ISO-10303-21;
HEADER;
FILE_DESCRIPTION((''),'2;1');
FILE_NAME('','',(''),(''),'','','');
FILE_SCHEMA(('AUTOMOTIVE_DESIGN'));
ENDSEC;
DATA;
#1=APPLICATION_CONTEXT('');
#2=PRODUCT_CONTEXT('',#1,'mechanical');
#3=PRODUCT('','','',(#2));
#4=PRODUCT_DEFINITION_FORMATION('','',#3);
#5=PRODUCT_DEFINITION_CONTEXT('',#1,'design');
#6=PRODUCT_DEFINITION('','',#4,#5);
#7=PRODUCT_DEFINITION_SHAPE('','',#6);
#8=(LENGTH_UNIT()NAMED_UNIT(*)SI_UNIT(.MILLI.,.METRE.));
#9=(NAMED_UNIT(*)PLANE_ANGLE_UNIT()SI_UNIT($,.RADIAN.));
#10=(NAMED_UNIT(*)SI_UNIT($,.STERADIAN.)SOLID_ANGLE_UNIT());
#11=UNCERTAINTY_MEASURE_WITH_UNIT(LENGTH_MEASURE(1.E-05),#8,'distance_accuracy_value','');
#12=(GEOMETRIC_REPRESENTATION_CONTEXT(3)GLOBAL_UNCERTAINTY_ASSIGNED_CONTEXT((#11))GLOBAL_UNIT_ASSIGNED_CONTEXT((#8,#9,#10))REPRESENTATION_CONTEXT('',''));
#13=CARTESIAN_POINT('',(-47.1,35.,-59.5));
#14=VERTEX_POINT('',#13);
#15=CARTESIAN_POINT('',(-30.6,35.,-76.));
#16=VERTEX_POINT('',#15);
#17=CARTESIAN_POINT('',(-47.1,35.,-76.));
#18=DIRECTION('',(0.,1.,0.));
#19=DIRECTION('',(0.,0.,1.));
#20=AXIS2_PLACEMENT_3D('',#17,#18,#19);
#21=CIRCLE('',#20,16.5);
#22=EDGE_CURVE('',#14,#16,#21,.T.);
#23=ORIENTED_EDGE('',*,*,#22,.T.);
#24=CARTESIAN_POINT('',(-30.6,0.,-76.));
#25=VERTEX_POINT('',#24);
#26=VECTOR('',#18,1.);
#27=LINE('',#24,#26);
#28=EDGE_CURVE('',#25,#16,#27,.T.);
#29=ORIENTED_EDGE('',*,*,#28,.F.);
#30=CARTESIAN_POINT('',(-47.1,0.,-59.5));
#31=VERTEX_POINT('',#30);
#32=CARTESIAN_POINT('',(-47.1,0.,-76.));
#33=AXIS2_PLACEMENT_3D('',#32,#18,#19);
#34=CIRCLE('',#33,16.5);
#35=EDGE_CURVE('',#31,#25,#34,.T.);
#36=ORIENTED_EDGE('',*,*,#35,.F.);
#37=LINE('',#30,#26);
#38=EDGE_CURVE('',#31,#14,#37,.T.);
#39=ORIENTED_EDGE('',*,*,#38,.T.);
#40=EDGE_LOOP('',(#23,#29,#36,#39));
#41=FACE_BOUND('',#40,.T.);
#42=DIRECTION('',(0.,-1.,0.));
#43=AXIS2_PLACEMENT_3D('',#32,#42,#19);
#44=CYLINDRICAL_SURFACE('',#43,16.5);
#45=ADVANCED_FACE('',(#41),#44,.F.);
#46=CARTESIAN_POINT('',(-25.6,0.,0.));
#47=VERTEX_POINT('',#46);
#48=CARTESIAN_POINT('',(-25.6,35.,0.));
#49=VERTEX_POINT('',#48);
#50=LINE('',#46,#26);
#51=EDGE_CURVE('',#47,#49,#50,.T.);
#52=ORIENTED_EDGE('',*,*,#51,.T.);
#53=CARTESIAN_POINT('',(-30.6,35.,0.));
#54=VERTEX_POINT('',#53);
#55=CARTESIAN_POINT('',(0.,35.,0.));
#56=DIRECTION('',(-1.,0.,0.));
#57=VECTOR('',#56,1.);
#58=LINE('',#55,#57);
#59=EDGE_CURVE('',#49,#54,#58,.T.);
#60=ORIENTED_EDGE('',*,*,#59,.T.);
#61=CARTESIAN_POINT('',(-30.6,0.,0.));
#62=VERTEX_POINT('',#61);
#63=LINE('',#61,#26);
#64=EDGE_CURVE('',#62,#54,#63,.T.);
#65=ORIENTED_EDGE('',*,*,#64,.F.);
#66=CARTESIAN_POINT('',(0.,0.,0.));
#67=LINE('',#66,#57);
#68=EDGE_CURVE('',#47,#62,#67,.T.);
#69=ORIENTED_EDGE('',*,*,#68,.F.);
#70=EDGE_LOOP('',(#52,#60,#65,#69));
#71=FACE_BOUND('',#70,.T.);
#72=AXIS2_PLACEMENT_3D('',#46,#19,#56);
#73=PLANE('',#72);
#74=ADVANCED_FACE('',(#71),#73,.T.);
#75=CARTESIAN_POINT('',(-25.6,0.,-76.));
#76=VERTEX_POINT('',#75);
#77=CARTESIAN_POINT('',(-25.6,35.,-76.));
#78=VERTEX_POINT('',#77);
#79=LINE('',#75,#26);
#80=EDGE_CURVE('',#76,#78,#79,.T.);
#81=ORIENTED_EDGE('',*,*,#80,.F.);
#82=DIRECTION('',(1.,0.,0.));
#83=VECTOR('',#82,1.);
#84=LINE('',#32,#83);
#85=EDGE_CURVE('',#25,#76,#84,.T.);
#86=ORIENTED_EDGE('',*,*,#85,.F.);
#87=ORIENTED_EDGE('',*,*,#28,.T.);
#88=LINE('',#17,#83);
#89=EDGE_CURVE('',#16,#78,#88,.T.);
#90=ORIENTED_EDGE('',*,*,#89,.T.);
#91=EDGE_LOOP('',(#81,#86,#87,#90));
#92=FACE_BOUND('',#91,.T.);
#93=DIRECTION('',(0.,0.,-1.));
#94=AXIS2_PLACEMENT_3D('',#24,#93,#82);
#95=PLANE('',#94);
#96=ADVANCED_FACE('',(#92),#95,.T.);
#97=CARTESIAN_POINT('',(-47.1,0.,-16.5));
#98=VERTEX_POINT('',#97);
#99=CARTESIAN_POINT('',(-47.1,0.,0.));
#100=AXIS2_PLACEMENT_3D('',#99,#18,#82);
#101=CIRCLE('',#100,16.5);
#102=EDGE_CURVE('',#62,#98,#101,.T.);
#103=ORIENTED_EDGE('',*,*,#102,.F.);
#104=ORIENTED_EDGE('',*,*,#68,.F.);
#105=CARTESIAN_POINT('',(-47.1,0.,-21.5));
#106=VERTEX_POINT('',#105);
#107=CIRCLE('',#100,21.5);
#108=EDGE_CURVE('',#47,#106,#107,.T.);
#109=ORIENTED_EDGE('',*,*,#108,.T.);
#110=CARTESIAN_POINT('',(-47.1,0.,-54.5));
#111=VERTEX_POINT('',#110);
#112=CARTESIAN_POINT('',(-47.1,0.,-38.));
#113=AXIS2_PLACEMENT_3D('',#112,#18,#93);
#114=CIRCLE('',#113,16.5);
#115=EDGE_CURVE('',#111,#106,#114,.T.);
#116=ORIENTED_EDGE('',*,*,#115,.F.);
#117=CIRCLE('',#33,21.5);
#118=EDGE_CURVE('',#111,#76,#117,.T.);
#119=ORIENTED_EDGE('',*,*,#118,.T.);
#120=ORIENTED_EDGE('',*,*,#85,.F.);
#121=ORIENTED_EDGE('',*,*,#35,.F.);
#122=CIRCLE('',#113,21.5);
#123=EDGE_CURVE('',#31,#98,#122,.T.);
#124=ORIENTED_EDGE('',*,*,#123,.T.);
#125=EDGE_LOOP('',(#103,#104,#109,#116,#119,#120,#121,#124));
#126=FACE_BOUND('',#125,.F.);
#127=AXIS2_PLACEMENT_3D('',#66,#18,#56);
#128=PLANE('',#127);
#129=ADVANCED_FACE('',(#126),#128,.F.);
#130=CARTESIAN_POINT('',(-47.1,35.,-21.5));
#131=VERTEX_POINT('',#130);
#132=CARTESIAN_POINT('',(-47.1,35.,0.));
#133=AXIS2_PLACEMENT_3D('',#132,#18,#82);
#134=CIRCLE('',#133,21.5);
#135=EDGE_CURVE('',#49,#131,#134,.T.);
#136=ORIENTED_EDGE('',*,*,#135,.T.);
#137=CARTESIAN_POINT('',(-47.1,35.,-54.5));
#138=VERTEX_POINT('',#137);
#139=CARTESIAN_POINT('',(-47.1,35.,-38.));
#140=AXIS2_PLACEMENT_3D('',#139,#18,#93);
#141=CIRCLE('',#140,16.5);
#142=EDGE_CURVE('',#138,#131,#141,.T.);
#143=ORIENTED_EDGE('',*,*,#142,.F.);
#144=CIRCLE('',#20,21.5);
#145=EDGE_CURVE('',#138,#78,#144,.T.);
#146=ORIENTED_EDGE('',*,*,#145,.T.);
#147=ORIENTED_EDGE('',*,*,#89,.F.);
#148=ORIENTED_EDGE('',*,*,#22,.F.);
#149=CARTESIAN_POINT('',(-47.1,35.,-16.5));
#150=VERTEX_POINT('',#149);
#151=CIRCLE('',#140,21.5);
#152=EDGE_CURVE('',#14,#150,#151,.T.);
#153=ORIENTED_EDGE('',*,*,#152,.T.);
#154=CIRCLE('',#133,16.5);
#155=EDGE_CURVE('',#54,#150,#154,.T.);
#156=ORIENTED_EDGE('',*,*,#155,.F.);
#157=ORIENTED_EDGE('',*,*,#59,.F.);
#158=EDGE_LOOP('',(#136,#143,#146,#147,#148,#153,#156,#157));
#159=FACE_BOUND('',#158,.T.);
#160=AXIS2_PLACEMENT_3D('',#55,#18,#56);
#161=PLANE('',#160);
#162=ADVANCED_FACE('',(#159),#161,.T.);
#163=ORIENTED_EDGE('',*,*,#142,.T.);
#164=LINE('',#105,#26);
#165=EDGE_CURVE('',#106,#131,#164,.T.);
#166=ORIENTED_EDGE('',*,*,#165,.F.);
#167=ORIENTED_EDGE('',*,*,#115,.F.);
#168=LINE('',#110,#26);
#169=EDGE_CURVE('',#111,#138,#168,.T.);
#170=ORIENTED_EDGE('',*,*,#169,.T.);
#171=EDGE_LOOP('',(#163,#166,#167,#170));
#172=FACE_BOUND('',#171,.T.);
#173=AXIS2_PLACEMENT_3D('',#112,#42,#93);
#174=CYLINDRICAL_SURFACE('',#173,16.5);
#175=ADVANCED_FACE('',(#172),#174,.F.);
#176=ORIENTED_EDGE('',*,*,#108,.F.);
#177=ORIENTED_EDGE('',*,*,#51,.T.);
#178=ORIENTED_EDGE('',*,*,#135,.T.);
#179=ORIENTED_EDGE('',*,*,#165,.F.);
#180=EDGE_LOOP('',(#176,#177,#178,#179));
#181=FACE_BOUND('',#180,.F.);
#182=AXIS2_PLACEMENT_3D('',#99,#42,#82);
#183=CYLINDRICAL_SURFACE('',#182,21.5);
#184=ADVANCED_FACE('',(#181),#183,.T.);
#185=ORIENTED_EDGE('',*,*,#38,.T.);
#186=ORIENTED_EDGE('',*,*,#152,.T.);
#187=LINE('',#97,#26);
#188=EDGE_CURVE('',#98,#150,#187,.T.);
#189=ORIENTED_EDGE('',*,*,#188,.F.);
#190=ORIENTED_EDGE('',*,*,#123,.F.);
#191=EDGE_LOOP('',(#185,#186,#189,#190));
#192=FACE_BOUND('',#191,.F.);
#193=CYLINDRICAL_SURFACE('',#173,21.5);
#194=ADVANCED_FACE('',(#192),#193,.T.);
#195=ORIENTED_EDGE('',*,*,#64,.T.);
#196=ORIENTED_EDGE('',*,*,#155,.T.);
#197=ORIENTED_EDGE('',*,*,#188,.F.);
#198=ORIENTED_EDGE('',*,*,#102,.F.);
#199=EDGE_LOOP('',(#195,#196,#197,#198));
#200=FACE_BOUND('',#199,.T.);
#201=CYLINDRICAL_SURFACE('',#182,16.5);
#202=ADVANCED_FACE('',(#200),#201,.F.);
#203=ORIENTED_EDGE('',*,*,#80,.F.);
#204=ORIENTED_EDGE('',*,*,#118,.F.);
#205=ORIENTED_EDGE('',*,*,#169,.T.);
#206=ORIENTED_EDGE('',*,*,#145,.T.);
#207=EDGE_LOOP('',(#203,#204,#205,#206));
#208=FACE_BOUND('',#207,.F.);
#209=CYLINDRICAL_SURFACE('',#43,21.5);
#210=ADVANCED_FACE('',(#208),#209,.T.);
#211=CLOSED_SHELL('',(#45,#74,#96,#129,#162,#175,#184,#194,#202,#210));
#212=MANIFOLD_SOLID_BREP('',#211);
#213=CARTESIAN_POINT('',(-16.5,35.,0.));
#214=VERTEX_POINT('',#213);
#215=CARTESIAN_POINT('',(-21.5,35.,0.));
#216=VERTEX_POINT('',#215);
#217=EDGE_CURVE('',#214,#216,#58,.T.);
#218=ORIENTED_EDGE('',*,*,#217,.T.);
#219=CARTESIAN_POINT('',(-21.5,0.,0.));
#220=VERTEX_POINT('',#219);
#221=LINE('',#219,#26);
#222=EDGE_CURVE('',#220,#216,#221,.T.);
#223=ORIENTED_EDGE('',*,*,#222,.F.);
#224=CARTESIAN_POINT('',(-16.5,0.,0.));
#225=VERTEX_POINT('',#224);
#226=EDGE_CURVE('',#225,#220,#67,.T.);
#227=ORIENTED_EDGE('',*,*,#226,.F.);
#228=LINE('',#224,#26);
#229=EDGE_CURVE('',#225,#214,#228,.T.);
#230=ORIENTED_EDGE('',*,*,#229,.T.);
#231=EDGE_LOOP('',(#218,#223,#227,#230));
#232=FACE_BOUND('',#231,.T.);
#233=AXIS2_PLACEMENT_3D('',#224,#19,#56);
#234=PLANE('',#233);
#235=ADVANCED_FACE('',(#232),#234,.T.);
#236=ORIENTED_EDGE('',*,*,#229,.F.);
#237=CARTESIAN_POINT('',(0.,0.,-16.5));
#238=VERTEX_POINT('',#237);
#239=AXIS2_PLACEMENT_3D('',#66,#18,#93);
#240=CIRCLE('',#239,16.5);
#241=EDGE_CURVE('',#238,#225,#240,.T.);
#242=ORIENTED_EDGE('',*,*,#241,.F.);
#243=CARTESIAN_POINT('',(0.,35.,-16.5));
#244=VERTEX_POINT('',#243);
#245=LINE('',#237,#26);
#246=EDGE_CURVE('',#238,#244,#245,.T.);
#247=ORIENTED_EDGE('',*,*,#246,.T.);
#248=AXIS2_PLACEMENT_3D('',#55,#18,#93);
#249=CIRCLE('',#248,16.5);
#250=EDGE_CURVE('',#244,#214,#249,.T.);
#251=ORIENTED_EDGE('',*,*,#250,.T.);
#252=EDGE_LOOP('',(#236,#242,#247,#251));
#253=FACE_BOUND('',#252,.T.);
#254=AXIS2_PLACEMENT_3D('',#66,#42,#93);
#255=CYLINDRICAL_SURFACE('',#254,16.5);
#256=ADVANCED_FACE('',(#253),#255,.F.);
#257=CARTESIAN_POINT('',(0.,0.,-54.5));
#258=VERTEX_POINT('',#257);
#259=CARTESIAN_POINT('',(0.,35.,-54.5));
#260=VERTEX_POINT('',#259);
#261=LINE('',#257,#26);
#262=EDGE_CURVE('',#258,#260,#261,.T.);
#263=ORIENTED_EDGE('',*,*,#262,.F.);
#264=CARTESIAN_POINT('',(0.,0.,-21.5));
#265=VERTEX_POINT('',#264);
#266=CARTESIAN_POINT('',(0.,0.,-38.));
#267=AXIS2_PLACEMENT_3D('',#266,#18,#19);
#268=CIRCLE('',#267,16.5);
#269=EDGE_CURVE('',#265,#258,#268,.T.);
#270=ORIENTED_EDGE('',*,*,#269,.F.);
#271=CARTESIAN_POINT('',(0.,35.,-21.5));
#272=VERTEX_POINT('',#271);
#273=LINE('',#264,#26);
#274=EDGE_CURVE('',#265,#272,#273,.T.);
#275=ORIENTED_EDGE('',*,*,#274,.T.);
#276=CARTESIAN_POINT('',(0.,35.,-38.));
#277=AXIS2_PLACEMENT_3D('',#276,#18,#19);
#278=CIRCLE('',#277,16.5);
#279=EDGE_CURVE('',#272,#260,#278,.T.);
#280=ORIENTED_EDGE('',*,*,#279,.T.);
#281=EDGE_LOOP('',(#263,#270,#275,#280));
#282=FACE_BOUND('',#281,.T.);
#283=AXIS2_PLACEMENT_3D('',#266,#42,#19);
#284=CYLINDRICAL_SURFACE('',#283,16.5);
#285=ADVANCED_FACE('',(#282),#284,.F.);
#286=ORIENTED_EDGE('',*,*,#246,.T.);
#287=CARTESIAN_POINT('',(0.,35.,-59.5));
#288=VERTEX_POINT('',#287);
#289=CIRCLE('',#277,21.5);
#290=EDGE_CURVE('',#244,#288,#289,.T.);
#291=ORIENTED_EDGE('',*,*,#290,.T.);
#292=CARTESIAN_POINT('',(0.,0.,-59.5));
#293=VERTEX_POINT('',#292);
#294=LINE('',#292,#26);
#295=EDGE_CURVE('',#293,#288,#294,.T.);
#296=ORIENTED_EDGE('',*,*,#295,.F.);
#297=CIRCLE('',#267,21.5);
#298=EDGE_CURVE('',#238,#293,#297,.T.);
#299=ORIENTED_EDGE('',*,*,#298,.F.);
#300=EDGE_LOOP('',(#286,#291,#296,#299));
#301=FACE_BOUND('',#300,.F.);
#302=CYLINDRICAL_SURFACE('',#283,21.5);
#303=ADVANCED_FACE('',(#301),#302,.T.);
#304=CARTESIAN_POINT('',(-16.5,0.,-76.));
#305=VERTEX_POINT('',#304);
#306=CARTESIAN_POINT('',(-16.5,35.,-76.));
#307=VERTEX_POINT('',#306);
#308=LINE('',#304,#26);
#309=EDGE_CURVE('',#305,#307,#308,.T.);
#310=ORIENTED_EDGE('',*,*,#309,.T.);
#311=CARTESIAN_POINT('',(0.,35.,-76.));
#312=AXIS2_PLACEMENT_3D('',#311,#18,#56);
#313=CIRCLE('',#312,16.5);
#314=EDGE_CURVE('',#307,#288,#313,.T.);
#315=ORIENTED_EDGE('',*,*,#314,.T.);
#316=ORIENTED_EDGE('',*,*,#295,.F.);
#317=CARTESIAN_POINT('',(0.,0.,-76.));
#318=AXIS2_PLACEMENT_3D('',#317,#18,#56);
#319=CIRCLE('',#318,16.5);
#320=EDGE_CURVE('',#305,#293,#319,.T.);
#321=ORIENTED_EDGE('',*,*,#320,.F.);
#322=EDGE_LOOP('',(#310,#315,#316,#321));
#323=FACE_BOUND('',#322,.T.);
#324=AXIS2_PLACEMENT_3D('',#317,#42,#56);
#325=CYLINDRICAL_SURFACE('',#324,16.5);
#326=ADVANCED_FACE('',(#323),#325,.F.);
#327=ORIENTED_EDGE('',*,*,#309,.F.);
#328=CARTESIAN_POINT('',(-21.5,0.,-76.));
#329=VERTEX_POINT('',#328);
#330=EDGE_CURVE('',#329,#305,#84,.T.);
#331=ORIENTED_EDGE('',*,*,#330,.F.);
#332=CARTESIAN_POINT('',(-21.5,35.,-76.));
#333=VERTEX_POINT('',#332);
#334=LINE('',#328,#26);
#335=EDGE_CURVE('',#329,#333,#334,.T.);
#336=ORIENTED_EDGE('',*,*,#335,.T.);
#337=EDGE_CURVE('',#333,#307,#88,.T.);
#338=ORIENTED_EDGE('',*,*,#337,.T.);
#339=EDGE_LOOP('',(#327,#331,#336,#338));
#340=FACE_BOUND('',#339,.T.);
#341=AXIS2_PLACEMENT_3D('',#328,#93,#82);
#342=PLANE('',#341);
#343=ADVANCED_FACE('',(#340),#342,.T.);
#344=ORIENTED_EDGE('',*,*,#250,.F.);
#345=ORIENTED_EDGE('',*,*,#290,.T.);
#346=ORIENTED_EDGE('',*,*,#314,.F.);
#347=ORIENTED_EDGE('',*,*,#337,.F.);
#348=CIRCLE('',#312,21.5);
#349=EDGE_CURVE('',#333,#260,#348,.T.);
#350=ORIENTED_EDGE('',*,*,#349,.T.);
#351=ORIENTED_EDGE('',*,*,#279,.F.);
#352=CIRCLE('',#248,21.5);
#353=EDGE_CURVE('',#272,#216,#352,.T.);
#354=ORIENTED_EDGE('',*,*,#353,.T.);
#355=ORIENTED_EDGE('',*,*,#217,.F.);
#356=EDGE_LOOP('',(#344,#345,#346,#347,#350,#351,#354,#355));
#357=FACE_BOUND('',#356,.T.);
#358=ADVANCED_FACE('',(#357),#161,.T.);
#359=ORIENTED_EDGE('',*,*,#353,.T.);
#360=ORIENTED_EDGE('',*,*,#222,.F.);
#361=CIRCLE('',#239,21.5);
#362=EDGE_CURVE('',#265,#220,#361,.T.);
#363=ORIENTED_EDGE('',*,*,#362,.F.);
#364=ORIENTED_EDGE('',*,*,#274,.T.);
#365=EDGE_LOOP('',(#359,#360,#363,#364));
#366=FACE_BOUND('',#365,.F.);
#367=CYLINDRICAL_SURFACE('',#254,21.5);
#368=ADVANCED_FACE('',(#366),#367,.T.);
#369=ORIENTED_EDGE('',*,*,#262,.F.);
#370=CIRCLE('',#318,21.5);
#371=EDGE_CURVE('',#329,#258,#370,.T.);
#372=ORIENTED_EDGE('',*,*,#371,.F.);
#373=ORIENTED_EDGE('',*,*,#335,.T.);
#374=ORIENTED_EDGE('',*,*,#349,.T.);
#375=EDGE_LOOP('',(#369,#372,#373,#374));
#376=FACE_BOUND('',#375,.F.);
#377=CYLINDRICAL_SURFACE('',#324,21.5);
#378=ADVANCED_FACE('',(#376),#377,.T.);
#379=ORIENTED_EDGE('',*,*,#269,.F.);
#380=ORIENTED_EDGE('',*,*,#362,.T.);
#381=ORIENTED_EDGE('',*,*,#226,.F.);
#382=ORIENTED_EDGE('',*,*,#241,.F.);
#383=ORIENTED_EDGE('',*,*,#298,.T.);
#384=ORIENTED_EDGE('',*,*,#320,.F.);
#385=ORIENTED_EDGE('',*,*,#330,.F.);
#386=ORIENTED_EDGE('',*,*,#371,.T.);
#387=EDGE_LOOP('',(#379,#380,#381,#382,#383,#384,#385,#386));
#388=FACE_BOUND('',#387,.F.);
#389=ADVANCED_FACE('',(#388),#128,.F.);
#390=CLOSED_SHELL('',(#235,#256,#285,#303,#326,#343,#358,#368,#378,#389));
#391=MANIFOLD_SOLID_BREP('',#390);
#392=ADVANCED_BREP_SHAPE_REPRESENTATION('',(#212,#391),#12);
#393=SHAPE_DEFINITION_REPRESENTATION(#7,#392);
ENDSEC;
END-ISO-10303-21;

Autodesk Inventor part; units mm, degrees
ref_plane "YZ Plane" through (0, 0, 0) normal (1, 0, 0) x (0, 1, 0)
ref_plane "XZ Plane" through (0, 0, 0) normal (0, 1, 0) x (-1, 0, 0)
ref_plane "XY Plane" through (0, 0, 0) normal (0, 0, 1) x (1, 0, 0)
sketch "Sketch1" plane through (0, 0, 0) normal (0, 1, 0) x (-1, 0, 0)
  line L0 (0, 0) -> (47.1, 0)
  line L1 (47.1, -76) -> (0, -76)
  line L2 (47.1, 0) -> (100.8601, 0) construction
  arc A0 (47.1, -59.5) -> (47.1, -16.5) centre (47.1, -38) ccw
  arc A1 (47.1, -54.5) -> (47.1, -21.5) centre (47.1, -38) ccw
  arc A2 (25.6, 0) -> (47.1, -21.5) centre (47.1, 0) ccw
  arc A3 (30.6, 0) -> (47.1, -16.5) centre (47.1, 0) ccw
  arc A4 (47.1, -54.5) -> (25.6, -76) centre (47.1, -76) ccw
  arc A5 (47.1, -59.5) -> (30.6, -76) centre (47.1, -76) ccw
  arc A6 (0, -16.5) -> (0, -59.5) centre (0, -38) ccw
  arc A7 (0, -21.5) -> (0, -54.5) centre (0, -38) ccw
  arc A8 (0, -21.5) -> (21.5, 0) centre (0, 0) ccw
  arc A9 (0, -16.5) -> (16.5, 0) centre (0, 0) ccw
  arc A10 (21.5, -76) -> (0, -54.5) centre (0, -76) ccw
  arc A11 (16.5, -76) -> (0, -59.5) centre (0, -76) ccw
  dimension "d0" = 47.1
  dimension "d1" = 76
  dimension "d5" = 43
  dimension "d6" = 33
  dimension "d8" = 43
extrude "Extrusion1" add sketch "Sketch1" along normal blind 35 contours L0 A8 A7 A10 L1 A11 A6 A9 | L0 A3 A0 A5 L1 A4 A1 A2
ref_plane "Work Plane3" through (-23.55, 0, 0) normal (1, 0, 0) x (0, 1, 0)
ref_plane "Work Plane1" through (-21.5, 0, 0) normal (1, 0, 0) x (0, 1, 0)
ref_plane "Work Plane2" through (-25.6, 0, 0) normal (1, 0, 0) x (0, 1, 0)
properties part number "150x0y0z_0x0y0z"
